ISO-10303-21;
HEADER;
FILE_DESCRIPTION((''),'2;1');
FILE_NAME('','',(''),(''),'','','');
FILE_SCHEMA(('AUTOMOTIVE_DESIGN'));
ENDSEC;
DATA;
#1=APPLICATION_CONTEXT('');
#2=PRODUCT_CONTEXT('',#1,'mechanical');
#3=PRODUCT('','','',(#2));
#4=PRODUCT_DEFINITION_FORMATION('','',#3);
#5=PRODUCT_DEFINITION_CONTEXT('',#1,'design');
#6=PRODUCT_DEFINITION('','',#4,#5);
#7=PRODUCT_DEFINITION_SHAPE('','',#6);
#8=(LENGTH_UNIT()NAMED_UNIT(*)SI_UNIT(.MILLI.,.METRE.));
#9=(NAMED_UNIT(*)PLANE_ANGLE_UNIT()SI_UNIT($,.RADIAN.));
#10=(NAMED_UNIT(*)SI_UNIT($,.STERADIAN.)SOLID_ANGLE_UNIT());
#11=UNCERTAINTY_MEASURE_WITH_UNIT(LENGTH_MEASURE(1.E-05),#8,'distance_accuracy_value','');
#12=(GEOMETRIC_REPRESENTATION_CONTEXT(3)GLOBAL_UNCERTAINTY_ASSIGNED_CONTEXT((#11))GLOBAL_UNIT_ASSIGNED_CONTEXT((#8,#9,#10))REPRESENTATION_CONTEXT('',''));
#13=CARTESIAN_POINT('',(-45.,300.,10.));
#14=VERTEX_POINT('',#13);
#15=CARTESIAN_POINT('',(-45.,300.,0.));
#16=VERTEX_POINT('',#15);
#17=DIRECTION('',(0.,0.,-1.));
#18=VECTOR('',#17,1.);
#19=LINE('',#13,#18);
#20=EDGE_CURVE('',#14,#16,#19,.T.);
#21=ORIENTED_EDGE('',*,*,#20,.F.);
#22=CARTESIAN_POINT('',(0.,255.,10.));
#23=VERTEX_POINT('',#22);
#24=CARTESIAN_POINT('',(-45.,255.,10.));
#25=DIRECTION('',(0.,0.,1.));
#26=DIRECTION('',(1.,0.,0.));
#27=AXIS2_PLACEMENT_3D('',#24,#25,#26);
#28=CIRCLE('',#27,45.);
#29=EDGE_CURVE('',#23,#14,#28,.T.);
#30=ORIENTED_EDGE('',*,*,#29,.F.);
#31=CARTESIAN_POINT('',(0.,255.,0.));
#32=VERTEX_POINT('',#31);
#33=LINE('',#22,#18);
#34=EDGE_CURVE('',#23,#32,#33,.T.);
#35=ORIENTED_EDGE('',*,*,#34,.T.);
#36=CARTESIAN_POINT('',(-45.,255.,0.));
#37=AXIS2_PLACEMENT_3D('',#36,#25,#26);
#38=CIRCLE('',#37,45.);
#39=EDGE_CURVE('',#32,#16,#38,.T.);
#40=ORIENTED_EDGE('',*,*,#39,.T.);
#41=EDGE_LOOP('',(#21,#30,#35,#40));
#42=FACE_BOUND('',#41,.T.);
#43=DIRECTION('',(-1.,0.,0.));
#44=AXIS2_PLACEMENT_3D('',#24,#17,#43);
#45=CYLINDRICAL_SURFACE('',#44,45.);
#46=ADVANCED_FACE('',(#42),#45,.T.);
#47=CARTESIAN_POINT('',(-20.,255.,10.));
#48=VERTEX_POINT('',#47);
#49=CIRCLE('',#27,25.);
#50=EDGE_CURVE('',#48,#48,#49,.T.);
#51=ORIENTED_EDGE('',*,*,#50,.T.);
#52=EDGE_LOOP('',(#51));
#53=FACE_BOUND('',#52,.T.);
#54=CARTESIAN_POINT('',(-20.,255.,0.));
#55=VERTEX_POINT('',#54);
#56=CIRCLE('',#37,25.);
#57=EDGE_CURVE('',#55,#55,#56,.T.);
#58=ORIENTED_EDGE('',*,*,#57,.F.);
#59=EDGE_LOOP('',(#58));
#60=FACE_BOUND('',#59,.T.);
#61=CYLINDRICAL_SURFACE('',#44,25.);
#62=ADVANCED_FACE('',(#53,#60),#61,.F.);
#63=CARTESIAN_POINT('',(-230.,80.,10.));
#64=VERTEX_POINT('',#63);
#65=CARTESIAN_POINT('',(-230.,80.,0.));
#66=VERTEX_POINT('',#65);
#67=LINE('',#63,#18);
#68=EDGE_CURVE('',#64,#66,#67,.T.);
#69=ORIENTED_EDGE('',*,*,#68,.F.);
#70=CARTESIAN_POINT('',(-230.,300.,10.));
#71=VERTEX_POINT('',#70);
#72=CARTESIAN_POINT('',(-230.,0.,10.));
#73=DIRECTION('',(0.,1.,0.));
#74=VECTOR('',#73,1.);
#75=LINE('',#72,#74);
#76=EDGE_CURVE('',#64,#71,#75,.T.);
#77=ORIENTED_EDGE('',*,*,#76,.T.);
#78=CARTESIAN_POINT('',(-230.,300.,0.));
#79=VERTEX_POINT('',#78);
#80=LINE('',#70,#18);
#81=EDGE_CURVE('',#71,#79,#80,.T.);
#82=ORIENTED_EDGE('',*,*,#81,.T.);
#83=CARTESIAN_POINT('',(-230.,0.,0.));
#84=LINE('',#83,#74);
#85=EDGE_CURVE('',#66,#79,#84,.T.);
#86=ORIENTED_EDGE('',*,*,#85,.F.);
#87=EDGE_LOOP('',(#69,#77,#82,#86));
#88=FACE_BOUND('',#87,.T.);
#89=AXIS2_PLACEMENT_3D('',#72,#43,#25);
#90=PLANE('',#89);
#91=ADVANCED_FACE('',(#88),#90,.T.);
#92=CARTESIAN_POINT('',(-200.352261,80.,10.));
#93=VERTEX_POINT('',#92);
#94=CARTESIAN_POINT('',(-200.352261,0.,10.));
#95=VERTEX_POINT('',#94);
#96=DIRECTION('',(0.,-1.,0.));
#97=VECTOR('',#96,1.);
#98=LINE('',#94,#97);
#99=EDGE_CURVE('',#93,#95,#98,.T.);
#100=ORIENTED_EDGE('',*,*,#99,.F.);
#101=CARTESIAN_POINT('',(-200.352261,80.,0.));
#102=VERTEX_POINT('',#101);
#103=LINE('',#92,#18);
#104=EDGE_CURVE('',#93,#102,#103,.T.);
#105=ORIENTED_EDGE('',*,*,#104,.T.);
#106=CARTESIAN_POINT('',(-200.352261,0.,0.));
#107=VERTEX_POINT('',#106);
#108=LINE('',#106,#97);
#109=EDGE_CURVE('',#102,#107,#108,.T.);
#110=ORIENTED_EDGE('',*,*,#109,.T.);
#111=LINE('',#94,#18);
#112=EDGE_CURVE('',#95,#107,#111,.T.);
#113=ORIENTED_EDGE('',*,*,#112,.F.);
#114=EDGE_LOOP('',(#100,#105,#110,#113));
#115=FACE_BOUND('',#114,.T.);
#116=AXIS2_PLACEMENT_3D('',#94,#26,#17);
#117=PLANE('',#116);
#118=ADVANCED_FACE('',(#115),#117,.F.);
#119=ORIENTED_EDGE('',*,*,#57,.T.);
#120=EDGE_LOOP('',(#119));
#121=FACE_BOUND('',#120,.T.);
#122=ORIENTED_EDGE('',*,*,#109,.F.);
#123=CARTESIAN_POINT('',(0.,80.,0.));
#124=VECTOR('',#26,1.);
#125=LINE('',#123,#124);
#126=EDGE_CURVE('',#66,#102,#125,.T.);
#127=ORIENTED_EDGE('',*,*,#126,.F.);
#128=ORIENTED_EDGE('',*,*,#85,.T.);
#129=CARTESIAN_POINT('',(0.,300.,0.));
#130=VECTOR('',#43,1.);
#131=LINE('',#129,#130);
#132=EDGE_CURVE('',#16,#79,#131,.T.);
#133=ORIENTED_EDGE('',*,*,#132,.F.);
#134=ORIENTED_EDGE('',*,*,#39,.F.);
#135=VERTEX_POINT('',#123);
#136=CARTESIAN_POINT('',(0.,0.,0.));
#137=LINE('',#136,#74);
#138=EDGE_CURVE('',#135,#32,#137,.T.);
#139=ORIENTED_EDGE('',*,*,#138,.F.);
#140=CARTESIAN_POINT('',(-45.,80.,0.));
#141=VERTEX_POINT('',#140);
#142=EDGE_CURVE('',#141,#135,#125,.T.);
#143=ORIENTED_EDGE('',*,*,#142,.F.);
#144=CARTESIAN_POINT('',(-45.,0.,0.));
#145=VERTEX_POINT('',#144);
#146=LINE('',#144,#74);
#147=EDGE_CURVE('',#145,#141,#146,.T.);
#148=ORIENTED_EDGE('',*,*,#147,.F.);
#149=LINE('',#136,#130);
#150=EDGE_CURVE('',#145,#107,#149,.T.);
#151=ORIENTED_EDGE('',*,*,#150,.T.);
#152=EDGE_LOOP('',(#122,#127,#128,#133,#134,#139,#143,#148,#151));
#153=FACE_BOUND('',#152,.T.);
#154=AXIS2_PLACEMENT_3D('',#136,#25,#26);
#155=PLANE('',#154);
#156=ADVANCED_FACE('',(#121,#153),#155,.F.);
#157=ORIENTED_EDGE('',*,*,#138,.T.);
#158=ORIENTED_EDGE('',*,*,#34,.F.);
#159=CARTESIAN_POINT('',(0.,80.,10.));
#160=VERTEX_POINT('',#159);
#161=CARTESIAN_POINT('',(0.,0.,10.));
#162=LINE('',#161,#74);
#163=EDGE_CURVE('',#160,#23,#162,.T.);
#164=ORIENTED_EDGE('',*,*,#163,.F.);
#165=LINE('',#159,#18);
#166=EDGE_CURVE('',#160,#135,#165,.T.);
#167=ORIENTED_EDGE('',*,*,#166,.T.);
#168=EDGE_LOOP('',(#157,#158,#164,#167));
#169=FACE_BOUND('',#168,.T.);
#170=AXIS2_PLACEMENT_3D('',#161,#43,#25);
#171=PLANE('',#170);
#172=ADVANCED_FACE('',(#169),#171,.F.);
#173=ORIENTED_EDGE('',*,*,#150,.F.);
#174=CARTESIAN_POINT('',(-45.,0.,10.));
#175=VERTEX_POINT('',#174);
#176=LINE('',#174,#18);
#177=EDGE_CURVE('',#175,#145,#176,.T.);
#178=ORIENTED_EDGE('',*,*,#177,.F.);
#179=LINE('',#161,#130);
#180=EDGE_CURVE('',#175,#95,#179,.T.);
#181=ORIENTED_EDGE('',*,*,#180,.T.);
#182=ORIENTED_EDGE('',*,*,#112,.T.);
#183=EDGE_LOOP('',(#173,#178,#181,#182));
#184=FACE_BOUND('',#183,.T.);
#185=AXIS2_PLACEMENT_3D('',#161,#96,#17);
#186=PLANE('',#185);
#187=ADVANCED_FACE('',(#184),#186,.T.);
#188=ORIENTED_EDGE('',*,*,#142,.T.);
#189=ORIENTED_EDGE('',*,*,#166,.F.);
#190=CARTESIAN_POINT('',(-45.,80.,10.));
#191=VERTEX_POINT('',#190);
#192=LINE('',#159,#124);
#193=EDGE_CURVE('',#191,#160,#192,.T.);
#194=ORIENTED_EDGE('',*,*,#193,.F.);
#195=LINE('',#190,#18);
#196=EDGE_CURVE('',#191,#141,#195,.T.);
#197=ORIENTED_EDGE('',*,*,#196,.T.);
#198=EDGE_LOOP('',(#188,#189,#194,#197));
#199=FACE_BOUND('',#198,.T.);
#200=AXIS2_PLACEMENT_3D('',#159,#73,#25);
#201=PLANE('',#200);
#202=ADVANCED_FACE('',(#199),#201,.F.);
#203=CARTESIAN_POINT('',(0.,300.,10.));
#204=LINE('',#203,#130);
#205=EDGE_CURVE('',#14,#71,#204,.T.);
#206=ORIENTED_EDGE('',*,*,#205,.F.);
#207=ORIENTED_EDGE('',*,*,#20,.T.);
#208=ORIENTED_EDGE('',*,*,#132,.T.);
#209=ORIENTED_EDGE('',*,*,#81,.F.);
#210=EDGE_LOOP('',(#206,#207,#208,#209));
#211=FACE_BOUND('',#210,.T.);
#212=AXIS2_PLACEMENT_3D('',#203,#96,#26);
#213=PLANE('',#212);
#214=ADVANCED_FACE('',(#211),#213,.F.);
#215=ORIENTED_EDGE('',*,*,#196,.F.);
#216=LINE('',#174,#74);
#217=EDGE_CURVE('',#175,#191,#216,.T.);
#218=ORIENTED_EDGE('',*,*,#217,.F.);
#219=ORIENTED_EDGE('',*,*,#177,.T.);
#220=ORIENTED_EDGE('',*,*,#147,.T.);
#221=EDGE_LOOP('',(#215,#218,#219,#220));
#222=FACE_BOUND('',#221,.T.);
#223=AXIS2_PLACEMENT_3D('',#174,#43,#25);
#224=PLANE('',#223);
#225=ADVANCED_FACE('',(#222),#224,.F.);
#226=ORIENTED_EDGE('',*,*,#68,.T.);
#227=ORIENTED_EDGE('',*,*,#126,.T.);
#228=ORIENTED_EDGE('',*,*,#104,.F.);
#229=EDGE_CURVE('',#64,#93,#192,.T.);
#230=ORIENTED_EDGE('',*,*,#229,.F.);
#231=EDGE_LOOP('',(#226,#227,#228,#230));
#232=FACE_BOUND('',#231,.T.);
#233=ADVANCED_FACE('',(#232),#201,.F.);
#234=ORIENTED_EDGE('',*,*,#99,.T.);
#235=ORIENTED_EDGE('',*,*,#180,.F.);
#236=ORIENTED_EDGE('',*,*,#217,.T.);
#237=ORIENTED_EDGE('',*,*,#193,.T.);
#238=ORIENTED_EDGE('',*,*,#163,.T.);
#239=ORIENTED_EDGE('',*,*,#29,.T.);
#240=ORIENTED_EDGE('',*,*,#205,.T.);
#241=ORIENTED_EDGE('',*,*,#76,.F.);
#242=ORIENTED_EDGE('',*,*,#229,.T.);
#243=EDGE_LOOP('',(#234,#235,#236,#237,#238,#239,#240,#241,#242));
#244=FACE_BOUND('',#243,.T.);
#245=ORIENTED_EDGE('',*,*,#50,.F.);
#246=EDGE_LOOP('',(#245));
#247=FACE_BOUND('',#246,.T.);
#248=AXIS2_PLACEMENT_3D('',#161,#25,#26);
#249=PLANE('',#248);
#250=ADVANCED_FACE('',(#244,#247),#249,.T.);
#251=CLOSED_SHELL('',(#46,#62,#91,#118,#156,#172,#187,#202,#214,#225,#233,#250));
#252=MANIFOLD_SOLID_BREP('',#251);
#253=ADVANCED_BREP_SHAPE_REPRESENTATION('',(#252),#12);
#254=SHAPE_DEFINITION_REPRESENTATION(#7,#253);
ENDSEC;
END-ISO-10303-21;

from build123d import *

# Parameters (mm, degrees)
ESQUISSE1_R        = 25
BOSS_EXTRU_1_DEPTH = 10


with BuildPart() as part:
    # Esquisse1 → Boss.-Extru.1 (new body)
    with BuildSketch(Plane.XY):
        with BuildLine():
            Line((0, 80), (0, 255))
            ThreePointArc((0, 255), (-13.180194847, 286.819805153), (-45, 300))
            Line((-45, 300), (-230, 300))
            Line((-230, 300), (-230, 80))
            Line((-230, 80), (-200.352260949, 80))
            Line((-200.352260949, 80), (-200.352260949, 0))
            Line((-200.352260949, 0), (-45, 0))
            Line((-45, 0), (-45, 80))
            Line((-45, 80), (0, 80))
        make_face()
        with Locations((-45, 255)):
            Circle(ESQUISSE1_R, mode=Mode.SUBTRACT)
    extrude(amount=BOSS_EXTRU_1_DEPTH)


solid = part.part
